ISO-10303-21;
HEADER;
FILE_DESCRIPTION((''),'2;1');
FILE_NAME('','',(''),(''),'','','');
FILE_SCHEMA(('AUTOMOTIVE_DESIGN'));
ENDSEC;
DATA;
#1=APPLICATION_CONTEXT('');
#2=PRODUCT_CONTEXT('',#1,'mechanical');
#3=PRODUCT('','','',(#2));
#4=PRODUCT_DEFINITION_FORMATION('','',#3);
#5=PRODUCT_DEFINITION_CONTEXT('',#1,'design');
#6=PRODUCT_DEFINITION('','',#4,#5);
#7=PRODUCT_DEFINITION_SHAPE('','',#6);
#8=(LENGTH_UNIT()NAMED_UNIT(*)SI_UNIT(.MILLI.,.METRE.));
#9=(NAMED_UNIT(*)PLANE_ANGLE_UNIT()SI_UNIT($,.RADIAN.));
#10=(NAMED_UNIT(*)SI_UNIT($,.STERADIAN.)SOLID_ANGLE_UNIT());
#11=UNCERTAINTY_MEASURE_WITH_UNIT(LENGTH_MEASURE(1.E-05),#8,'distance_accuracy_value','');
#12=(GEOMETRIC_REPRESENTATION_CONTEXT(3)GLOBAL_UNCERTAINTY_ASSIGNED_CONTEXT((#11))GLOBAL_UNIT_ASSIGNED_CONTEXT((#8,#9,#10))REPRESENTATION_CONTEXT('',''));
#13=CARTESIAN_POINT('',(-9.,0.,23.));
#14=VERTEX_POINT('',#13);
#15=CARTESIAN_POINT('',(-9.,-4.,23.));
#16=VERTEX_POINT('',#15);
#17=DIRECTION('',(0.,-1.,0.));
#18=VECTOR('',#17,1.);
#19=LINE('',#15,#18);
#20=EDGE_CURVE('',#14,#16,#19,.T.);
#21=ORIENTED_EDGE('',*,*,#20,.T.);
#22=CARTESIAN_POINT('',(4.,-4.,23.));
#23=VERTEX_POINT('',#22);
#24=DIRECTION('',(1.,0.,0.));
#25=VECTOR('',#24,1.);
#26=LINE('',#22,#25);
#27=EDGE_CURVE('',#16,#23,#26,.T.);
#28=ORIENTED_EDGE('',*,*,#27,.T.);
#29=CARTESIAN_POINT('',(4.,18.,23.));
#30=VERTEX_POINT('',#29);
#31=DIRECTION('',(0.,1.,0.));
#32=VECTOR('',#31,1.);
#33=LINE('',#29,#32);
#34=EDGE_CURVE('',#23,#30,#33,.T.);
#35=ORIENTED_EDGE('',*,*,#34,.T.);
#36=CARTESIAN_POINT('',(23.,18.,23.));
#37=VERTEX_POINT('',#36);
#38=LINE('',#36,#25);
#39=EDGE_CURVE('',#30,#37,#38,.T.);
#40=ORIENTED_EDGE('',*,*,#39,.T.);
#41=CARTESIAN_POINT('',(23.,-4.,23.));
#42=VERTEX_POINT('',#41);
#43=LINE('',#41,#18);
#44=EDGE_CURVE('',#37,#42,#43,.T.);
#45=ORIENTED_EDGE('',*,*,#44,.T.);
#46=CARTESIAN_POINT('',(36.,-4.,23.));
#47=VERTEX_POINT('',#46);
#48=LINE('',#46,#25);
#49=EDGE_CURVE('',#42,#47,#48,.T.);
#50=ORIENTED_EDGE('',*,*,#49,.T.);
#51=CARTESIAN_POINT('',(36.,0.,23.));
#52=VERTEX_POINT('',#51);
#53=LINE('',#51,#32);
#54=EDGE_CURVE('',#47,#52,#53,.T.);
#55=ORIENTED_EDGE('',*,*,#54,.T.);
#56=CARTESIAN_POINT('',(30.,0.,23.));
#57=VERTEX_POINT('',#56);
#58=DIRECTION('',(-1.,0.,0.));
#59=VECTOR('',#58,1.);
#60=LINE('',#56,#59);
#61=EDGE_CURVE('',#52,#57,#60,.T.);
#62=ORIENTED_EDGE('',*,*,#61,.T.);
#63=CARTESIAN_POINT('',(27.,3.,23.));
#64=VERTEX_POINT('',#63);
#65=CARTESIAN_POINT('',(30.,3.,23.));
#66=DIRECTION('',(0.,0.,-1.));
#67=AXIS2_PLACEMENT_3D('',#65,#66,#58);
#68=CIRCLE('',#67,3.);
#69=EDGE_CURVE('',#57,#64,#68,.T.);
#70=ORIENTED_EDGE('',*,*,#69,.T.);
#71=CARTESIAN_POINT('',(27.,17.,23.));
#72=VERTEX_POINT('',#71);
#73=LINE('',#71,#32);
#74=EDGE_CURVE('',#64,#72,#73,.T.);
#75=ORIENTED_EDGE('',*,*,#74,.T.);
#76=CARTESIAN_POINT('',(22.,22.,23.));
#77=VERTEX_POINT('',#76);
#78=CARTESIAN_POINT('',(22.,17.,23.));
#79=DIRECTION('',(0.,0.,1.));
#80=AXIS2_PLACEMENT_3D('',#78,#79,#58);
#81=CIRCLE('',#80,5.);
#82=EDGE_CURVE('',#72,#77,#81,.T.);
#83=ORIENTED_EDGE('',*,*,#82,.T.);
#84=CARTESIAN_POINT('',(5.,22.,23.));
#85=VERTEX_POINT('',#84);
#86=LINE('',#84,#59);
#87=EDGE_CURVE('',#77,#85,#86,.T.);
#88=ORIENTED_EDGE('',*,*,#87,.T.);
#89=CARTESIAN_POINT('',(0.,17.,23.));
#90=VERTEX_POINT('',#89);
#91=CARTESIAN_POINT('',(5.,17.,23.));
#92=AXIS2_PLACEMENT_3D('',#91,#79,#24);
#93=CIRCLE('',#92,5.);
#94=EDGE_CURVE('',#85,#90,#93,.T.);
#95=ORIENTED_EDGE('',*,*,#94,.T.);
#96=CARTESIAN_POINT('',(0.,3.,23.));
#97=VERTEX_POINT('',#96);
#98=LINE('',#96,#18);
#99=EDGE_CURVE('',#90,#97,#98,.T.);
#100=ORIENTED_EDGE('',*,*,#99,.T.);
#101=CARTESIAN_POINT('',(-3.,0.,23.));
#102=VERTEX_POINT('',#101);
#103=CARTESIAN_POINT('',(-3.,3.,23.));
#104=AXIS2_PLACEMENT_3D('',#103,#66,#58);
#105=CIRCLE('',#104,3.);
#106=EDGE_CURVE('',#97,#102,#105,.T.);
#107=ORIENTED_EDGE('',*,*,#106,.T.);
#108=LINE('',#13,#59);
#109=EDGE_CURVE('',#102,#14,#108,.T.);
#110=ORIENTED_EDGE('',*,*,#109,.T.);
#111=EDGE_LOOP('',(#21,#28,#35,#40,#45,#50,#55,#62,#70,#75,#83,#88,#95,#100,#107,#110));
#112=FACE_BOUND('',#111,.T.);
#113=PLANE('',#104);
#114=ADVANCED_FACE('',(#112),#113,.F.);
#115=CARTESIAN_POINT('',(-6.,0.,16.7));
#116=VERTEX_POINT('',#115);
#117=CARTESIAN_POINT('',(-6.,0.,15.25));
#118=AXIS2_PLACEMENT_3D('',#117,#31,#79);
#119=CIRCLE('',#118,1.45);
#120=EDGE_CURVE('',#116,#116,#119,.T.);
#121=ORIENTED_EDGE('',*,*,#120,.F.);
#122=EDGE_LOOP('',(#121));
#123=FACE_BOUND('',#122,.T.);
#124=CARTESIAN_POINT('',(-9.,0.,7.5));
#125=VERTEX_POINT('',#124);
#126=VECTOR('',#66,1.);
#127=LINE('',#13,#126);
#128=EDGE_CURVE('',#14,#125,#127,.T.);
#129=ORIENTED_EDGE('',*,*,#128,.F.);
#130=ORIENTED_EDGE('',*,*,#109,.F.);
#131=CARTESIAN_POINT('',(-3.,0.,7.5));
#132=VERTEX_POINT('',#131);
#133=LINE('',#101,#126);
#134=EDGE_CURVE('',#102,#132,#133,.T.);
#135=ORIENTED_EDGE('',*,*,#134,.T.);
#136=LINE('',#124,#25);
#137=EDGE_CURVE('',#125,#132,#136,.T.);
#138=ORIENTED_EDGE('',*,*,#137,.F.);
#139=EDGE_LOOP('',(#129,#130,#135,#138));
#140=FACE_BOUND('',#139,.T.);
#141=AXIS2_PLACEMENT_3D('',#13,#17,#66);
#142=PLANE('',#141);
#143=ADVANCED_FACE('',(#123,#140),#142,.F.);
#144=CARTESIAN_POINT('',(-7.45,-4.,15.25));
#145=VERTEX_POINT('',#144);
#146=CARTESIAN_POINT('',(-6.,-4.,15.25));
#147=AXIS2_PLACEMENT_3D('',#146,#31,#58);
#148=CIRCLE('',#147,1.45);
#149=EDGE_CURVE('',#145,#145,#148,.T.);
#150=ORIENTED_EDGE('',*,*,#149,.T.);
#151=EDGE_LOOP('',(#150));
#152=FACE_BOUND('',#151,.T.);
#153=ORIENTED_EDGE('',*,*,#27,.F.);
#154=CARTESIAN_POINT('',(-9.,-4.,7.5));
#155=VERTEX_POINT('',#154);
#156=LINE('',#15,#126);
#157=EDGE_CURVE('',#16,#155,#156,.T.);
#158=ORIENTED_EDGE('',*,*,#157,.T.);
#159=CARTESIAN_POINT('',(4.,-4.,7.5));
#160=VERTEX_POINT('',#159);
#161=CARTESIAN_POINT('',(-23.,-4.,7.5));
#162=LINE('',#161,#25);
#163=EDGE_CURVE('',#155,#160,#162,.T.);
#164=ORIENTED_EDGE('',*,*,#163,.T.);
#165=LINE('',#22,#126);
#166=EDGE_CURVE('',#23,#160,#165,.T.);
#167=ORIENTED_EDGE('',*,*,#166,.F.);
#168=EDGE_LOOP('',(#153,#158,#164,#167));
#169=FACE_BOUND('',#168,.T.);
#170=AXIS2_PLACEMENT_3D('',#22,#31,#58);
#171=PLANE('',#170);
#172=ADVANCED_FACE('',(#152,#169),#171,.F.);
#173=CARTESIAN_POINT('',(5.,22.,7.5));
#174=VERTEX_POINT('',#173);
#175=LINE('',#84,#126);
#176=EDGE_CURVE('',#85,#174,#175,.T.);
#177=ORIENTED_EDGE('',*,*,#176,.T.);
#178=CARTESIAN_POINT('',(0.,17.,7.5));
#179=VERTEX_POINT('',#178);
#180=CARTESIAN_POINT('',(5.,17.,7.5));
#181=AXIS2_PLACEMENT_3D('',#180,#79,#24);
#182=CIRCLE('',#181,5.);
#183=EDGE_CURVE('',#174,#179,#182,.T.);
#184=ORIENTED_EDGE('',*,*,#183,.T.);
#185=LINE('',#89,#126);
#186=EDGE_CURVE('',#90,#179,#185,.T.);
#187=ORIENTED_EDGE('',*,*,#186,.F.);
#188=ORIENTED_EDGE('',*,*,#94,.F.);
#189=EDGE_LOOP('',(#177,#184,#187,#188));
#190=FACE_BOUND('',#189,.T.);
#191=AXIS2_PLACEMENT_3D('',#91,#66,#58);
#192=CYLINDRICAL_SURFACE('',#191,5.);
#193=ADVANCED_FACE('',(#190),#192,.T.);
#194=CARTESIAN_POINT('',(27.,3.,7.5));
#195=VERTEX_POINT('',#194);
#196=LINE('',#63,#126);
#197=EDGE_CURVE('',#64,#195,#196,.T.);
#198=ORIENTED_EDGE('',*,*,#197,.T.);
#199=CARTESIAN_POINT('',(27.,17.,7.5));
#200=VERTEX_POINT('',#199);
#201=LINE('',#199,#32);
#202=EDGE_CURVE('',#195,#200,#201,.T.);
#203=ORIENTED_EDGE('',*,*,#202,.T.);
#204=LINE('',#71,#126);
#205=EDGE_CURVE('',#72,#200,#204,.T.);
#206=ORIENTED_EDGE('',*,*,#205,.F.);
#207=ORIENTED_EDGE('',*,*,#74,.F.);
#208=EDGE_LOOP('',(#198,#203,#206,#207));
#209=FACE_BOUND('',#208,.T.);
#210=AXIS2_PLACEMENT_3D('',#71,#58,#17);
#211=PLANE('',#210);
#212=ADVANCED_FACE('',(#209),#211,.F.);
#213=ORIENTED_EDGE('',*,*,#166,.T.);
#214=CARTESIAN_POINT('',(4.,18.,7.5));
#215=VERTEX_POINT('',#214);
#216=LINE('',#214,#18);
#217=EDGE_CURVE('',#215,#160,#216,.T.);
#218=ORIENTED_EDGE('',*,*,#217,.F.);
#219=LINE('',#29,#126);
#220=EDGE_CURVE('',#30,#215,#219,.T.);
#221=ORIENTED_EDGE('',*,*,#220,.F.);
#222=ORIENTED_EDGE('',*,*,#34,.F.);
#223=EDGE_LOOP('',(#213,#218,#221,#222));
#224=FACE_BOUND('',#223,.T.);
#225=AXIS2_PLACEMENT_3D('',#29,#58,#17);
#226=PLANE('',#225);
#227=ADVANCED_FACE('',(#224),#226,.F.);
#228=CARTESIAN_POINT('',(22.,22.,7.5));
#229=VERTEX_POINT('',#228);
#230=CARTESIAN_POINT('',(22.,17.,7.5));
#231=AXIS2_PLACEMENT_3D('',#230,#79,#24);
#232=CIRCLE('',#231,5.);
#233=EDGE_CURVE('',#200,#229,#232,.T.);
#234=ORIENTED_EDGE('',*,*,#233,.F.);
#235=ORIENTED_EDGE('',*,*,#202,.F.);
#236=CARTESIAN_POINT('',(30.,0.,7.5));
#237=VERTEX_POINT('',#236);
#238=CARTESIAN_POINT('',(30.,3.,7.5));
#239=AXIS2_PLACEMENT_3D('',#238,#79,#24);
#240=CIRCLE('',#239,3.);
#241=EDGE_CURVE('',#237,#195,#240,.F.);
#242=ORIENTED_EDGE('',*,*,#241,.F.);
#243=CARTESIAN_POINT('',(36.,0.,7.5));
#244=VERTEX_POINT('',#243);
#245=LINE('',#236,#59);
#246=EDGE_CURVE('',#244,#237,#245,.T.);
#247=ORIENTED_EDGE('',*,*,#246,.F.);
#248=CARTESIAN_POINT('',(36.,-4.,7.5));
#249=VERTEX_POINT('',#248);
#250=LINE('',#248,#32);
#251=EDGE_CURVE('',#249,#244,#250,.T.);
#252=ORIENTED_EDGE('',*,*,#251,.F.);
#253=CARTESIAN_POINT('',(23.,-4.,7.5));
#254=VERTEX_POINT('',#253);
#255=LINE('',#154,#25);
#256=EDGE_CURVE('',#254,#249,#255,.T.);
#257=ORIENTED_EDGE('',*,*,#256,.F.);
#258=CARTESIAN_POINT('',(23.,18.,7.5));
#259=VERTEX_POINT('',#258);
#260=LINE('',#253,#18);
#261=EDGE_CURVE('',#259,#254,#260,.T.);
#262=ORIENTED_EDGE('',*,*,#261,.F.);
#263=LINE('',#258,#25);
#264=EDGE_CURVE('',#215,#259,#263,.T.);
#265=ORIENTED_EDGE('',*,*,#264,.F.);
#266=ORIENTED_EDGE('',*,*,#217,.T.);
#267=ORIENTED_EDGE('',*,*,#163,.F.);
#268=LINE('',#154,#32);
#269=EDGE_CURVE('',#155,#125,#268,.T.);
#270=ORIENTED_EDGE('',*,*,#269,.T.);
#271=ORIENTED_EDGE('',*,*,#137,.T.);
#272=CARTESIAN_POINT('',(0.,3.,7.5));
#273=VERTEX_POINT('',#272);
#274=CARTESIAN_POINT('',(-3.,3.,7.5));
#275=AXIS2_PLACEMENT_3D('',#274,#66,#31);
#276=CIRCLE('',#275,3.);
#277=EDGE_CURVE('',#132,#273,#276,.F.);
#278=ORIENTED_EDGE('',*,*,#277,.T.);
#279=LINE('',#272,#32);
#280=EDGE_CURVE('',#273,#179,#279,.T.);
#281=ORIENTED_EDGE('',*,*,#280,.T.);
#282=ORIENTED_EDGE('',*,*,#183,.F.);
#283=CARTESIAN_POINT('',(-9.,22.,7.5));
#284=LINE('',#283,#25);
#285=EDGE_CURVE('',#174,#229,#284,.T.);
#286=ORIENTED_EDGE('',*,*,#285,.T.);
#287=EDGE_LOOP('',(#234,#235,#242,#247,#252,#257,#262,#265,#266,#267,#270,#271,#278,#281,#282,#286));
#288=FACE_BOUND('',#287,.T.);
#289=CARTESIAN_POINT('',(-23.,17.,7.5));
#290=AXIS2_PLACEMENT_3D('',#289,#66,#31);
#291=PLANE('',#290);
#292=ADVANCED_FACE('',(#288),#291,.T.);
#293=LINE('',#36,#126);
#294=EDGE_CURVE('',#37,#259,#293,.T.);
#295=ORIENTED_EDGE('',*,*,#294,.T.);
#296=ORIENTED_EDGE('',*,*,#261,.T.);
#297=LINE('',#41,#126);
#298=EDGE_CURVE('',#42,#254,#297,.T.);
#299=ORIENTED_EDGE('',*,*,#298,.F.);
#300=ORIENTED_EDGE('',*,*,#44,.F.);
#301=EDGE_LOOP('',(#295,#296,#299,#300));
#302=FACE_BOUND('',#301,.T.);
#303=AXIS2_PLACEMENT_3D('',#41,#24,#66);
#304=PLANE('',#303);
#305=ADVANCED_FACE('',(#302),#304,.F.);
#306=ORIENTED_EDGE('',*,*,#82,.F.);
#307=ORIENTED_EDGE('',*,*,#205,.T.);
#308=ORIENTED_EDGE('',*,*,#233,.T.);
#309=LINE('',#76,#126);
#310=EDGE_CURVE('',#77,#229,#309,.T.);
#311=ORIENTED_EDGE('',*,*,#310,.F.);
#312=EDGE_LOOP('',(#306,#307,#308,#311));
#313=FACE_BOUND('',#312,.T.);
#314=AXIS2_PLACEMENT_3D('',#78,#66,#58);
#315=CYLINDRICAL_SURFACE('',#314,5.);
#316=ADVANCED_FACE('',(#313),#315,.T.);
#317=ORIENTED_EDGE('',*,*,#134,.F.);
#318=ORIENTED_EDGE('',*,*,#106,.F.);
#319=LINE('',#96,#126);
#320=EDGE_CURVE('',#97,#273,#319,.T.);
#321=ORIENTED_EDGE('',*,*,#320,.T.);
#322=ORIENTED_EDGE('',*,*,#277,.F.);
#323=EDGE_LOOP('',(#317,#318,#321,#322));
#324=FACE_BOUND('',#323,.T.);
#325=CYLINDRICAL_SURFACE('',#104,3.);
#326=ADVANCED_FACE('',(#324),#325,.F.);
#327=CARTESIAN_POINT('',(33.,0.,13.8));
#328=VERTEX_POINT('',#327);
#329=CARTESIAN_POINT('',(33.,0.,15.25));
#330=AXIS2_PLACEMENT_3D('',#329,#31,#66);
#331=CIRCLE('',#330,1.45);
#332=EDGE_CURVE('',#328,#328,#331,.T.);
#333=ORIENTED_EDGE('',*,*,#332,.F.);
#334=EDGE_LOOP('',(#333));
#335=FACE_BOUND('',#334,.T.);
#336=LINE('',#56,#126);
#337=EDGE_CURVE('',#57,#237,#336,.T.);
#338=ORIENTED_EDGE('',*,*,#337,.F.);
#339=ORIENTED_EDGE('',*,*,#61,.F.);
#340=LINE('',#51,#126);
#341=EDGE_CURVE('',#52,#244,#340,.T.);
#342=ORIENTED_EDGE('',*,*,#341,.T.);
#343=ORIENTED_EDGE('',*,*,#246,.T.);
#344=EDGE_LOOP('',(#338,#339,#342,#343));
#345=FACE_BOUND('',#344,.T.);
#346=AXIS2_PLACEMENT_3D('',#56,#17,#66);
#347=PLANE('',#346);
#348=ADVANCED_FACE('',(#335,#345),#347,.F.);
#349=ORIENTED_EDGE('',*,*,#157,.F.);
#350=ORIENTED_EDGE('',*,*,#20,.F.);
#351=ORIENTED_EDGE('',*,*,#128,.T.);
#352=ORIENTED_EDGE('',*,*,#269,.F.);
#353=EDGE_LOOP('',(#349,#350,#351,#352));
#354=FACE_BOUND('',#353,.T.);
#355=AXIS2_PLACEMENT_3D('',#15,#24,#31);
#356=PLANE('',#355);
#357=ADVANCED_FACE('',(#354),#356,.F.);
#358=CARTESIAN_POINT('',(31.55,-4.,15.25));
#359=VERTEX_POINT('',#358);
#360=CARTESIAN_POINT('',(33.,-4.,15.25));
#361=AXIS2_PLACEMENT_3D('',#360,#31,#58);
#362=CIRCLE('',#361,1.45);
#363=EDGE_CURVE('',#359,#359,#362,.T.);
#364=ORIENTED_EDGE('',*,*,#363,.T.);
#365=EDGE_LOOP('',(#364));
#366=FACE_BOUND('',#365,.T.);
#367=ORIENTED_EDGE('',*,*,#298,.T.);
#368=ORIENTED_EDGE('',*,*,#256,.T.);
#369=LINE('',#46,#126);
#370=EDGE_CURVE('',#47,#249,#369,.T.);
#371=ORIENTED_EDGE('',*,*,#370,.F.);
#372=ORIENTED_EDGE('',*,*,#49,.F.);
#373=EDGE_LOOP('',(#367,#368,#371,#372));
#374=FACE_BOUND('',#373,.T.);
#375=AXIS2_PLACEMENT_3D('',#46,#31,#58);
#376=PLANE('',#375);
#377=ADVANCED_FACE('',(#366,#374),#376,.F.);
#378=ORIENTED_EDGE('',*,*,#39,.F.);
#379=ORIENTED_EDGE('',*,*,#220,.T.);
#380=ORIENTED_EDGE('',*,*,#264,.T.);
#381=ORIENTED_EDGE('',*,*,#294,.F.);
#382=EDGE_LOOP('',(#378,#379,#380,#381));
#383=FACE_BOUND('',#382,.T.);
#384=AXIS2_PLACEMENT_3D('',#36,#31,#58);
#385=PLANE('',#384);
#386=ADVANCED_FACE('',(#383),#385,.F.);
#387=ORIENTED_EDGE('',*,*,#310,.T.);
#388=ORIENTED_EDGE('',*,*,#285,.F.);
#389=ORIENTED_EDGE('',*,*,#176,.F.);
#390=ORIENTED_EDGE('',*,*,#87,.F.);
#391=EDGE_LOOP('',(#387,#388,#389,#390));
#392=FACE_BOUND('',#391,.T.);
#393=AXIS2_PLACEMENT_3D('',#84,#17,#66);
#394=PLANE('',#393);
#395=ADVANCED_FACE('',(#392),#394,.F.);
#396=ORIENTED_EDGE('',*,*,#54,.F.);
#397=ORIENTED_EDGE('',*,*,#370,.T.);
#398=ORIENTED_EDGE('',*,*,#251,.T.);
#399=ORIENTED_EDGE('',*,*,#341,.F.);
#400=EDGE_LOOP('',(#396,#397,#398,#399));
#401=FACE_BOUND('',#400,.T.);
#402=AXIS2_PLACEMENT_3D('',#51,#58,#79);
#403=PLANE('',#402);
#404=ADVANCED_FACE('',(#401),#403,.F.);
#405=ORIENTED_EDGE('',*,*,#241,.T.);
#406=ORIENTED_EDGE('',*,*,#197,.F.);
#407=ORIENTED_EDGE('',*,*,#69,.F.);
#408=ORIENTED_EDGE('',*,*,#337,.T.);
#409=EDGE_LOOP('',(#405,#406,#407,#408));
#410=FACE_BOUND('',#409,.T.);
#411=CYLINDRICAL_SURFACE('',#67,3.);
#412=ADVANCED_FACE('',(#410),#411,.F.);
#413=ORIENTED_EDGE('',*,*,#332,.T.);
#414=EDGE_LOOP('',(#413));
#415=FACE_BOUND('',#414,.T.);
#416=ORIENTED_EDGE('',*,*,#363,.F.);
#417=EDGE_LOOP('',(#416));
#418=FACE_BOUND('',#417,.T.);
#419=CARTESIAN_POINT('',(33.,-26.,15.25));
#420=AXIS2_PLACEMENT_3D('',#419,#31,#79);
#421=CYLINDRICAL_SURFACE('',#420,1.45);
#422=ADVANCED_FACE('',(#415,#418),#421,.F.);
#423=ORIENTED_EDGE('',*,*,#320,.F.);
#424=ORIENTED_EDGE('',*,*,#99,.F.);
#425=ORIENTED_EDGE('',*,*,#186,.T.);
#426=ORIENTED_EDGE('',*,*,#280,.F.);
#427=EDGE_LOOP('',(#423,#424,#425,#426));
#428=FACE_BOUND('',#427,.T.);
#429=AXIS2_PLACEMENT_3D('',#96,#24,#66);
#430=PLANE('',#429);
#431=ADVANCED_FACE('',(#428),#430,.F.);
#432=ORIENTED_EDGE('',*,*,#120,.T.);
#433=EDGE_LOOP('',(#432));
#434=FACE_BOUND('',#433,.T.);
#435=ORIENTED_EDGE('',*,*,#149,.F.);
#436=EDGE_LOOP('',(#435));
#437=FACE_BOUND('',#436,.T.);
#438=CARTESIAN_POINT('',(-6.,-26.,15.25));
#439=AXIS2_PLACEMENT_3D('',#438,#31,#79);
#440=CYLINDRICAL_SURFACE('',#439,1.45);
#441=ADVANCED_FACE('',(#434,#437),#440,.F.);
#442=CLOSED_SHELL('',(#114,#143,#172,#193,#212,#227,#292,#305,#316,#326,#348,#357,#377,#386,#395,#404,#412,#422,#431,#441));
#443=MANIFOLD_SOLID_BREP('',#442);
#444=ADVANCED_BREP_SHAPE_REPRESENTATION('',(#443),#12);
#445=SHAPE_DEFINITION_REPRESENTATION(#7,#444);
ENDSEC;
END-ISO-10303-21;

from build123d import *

# Parameters (mm, degrees)
BOSS_EXTRUDE1_DEPTH     = 23
CUT_EXTRUDE2_DEPTH      = 23
CUT_EXTRUDE2_DEPTH_BACK = 10
SKETCH4_W               = 3.5
SKETCH4_H               = 21
SKETCH5_W               = 45
SKETCH5_H               = 7.5
CUT_EXTRUDE3_DEPTH      = 26
SKETCH7_R               = 1.45
CUT_EXTRUDE4_DEPTH      = 26


with BuildPart() as part:
    # Sketch1 → Boss-Extrude1 (new body)
    with BuildSketch(Plane.XY):
        with BuildLine():
            Line((0, 3), (0, 17))
            ThreePointArc((0, 17), (1.464466094, 20.535533906), (5, 22))
            Line((5, 22), (22, 22))
            ThreePointArc((22, 22), (25.535533906, 20.535533906), (27, 17))
            Line((27, 17), (27, 3))
            ThreePointArc((27, 3), (27.878679656, 0.878679656), (30, 0))
            Line((30, 0), (36, 0))
            Line((36, 0), (36, -4))
            Line((36, -4), (23, -4))
            Line((23, -4), (23, 18))
            Line((23, 18), (4, 18))
            Line((4, 18), (4, -4))
            Line((4, -4), (-9, -4))
            Line((-9, -4), (-9, 0))
            Line((-9, 0), (-3, 0))
            ThreePointArc((-3, 0), (-0.878679656, 0.878679656), (0, 3))
        make_face()
    extrude(amount=BOSS_EXTRUDE1_DEPTH)

    # Sketch4 → Cut-Extrude2 (cut, two sides: drawn at the far end of the back side and taken through both)
    with BuildSketch(Plane.ZY.offset(-CUT_EXTRUDE2_DEPTH_BACK)):
        with Locations((5.75, 6.5)):
            Rectangle(SKETCH4_W, SKETCH4_H)
    extrude(amount=CUT_EXTRUDE2_DEPTH + CUT_EXTRUDE2_DEPTH_BACK, mode=Mode.SUBTRACT)

    # Sketch5 → Cut-Extrude3 (cut)
    with BuildSketch(Plane(origin=(0, 22, 0), x_dir=(1, 0, 0), z_dir=(0, 1, 0))):
        with Locations((13.5, -3.75)):
            Rectangle(SKETCH5_W, SKETCH5_H)
    extrude(amount=-CUT_EXTRUDE3_DEPTH, mode=Mode.SUBTRACT)

    # Sketch7 → Cut-Extrude4 (cut)
    with BuildSketch(Plane(origin=(0, 0, 0), x_dir=(1, 0, 0), z_dir=(0, 1, 0))):
        with Locations(Location((-6, -15.25, 0), (0, 0, 270))):
            Circle(SKETCH7_R)
        with Locations(Location((33, -15.25, 0), (0, 0, 180))):
            Circle(SKETCH7_R)
    extrude(amount=-CUT_EXTRUDE4_DEPTH, mode=Mode.SUBTRACT)


solid = part.part
